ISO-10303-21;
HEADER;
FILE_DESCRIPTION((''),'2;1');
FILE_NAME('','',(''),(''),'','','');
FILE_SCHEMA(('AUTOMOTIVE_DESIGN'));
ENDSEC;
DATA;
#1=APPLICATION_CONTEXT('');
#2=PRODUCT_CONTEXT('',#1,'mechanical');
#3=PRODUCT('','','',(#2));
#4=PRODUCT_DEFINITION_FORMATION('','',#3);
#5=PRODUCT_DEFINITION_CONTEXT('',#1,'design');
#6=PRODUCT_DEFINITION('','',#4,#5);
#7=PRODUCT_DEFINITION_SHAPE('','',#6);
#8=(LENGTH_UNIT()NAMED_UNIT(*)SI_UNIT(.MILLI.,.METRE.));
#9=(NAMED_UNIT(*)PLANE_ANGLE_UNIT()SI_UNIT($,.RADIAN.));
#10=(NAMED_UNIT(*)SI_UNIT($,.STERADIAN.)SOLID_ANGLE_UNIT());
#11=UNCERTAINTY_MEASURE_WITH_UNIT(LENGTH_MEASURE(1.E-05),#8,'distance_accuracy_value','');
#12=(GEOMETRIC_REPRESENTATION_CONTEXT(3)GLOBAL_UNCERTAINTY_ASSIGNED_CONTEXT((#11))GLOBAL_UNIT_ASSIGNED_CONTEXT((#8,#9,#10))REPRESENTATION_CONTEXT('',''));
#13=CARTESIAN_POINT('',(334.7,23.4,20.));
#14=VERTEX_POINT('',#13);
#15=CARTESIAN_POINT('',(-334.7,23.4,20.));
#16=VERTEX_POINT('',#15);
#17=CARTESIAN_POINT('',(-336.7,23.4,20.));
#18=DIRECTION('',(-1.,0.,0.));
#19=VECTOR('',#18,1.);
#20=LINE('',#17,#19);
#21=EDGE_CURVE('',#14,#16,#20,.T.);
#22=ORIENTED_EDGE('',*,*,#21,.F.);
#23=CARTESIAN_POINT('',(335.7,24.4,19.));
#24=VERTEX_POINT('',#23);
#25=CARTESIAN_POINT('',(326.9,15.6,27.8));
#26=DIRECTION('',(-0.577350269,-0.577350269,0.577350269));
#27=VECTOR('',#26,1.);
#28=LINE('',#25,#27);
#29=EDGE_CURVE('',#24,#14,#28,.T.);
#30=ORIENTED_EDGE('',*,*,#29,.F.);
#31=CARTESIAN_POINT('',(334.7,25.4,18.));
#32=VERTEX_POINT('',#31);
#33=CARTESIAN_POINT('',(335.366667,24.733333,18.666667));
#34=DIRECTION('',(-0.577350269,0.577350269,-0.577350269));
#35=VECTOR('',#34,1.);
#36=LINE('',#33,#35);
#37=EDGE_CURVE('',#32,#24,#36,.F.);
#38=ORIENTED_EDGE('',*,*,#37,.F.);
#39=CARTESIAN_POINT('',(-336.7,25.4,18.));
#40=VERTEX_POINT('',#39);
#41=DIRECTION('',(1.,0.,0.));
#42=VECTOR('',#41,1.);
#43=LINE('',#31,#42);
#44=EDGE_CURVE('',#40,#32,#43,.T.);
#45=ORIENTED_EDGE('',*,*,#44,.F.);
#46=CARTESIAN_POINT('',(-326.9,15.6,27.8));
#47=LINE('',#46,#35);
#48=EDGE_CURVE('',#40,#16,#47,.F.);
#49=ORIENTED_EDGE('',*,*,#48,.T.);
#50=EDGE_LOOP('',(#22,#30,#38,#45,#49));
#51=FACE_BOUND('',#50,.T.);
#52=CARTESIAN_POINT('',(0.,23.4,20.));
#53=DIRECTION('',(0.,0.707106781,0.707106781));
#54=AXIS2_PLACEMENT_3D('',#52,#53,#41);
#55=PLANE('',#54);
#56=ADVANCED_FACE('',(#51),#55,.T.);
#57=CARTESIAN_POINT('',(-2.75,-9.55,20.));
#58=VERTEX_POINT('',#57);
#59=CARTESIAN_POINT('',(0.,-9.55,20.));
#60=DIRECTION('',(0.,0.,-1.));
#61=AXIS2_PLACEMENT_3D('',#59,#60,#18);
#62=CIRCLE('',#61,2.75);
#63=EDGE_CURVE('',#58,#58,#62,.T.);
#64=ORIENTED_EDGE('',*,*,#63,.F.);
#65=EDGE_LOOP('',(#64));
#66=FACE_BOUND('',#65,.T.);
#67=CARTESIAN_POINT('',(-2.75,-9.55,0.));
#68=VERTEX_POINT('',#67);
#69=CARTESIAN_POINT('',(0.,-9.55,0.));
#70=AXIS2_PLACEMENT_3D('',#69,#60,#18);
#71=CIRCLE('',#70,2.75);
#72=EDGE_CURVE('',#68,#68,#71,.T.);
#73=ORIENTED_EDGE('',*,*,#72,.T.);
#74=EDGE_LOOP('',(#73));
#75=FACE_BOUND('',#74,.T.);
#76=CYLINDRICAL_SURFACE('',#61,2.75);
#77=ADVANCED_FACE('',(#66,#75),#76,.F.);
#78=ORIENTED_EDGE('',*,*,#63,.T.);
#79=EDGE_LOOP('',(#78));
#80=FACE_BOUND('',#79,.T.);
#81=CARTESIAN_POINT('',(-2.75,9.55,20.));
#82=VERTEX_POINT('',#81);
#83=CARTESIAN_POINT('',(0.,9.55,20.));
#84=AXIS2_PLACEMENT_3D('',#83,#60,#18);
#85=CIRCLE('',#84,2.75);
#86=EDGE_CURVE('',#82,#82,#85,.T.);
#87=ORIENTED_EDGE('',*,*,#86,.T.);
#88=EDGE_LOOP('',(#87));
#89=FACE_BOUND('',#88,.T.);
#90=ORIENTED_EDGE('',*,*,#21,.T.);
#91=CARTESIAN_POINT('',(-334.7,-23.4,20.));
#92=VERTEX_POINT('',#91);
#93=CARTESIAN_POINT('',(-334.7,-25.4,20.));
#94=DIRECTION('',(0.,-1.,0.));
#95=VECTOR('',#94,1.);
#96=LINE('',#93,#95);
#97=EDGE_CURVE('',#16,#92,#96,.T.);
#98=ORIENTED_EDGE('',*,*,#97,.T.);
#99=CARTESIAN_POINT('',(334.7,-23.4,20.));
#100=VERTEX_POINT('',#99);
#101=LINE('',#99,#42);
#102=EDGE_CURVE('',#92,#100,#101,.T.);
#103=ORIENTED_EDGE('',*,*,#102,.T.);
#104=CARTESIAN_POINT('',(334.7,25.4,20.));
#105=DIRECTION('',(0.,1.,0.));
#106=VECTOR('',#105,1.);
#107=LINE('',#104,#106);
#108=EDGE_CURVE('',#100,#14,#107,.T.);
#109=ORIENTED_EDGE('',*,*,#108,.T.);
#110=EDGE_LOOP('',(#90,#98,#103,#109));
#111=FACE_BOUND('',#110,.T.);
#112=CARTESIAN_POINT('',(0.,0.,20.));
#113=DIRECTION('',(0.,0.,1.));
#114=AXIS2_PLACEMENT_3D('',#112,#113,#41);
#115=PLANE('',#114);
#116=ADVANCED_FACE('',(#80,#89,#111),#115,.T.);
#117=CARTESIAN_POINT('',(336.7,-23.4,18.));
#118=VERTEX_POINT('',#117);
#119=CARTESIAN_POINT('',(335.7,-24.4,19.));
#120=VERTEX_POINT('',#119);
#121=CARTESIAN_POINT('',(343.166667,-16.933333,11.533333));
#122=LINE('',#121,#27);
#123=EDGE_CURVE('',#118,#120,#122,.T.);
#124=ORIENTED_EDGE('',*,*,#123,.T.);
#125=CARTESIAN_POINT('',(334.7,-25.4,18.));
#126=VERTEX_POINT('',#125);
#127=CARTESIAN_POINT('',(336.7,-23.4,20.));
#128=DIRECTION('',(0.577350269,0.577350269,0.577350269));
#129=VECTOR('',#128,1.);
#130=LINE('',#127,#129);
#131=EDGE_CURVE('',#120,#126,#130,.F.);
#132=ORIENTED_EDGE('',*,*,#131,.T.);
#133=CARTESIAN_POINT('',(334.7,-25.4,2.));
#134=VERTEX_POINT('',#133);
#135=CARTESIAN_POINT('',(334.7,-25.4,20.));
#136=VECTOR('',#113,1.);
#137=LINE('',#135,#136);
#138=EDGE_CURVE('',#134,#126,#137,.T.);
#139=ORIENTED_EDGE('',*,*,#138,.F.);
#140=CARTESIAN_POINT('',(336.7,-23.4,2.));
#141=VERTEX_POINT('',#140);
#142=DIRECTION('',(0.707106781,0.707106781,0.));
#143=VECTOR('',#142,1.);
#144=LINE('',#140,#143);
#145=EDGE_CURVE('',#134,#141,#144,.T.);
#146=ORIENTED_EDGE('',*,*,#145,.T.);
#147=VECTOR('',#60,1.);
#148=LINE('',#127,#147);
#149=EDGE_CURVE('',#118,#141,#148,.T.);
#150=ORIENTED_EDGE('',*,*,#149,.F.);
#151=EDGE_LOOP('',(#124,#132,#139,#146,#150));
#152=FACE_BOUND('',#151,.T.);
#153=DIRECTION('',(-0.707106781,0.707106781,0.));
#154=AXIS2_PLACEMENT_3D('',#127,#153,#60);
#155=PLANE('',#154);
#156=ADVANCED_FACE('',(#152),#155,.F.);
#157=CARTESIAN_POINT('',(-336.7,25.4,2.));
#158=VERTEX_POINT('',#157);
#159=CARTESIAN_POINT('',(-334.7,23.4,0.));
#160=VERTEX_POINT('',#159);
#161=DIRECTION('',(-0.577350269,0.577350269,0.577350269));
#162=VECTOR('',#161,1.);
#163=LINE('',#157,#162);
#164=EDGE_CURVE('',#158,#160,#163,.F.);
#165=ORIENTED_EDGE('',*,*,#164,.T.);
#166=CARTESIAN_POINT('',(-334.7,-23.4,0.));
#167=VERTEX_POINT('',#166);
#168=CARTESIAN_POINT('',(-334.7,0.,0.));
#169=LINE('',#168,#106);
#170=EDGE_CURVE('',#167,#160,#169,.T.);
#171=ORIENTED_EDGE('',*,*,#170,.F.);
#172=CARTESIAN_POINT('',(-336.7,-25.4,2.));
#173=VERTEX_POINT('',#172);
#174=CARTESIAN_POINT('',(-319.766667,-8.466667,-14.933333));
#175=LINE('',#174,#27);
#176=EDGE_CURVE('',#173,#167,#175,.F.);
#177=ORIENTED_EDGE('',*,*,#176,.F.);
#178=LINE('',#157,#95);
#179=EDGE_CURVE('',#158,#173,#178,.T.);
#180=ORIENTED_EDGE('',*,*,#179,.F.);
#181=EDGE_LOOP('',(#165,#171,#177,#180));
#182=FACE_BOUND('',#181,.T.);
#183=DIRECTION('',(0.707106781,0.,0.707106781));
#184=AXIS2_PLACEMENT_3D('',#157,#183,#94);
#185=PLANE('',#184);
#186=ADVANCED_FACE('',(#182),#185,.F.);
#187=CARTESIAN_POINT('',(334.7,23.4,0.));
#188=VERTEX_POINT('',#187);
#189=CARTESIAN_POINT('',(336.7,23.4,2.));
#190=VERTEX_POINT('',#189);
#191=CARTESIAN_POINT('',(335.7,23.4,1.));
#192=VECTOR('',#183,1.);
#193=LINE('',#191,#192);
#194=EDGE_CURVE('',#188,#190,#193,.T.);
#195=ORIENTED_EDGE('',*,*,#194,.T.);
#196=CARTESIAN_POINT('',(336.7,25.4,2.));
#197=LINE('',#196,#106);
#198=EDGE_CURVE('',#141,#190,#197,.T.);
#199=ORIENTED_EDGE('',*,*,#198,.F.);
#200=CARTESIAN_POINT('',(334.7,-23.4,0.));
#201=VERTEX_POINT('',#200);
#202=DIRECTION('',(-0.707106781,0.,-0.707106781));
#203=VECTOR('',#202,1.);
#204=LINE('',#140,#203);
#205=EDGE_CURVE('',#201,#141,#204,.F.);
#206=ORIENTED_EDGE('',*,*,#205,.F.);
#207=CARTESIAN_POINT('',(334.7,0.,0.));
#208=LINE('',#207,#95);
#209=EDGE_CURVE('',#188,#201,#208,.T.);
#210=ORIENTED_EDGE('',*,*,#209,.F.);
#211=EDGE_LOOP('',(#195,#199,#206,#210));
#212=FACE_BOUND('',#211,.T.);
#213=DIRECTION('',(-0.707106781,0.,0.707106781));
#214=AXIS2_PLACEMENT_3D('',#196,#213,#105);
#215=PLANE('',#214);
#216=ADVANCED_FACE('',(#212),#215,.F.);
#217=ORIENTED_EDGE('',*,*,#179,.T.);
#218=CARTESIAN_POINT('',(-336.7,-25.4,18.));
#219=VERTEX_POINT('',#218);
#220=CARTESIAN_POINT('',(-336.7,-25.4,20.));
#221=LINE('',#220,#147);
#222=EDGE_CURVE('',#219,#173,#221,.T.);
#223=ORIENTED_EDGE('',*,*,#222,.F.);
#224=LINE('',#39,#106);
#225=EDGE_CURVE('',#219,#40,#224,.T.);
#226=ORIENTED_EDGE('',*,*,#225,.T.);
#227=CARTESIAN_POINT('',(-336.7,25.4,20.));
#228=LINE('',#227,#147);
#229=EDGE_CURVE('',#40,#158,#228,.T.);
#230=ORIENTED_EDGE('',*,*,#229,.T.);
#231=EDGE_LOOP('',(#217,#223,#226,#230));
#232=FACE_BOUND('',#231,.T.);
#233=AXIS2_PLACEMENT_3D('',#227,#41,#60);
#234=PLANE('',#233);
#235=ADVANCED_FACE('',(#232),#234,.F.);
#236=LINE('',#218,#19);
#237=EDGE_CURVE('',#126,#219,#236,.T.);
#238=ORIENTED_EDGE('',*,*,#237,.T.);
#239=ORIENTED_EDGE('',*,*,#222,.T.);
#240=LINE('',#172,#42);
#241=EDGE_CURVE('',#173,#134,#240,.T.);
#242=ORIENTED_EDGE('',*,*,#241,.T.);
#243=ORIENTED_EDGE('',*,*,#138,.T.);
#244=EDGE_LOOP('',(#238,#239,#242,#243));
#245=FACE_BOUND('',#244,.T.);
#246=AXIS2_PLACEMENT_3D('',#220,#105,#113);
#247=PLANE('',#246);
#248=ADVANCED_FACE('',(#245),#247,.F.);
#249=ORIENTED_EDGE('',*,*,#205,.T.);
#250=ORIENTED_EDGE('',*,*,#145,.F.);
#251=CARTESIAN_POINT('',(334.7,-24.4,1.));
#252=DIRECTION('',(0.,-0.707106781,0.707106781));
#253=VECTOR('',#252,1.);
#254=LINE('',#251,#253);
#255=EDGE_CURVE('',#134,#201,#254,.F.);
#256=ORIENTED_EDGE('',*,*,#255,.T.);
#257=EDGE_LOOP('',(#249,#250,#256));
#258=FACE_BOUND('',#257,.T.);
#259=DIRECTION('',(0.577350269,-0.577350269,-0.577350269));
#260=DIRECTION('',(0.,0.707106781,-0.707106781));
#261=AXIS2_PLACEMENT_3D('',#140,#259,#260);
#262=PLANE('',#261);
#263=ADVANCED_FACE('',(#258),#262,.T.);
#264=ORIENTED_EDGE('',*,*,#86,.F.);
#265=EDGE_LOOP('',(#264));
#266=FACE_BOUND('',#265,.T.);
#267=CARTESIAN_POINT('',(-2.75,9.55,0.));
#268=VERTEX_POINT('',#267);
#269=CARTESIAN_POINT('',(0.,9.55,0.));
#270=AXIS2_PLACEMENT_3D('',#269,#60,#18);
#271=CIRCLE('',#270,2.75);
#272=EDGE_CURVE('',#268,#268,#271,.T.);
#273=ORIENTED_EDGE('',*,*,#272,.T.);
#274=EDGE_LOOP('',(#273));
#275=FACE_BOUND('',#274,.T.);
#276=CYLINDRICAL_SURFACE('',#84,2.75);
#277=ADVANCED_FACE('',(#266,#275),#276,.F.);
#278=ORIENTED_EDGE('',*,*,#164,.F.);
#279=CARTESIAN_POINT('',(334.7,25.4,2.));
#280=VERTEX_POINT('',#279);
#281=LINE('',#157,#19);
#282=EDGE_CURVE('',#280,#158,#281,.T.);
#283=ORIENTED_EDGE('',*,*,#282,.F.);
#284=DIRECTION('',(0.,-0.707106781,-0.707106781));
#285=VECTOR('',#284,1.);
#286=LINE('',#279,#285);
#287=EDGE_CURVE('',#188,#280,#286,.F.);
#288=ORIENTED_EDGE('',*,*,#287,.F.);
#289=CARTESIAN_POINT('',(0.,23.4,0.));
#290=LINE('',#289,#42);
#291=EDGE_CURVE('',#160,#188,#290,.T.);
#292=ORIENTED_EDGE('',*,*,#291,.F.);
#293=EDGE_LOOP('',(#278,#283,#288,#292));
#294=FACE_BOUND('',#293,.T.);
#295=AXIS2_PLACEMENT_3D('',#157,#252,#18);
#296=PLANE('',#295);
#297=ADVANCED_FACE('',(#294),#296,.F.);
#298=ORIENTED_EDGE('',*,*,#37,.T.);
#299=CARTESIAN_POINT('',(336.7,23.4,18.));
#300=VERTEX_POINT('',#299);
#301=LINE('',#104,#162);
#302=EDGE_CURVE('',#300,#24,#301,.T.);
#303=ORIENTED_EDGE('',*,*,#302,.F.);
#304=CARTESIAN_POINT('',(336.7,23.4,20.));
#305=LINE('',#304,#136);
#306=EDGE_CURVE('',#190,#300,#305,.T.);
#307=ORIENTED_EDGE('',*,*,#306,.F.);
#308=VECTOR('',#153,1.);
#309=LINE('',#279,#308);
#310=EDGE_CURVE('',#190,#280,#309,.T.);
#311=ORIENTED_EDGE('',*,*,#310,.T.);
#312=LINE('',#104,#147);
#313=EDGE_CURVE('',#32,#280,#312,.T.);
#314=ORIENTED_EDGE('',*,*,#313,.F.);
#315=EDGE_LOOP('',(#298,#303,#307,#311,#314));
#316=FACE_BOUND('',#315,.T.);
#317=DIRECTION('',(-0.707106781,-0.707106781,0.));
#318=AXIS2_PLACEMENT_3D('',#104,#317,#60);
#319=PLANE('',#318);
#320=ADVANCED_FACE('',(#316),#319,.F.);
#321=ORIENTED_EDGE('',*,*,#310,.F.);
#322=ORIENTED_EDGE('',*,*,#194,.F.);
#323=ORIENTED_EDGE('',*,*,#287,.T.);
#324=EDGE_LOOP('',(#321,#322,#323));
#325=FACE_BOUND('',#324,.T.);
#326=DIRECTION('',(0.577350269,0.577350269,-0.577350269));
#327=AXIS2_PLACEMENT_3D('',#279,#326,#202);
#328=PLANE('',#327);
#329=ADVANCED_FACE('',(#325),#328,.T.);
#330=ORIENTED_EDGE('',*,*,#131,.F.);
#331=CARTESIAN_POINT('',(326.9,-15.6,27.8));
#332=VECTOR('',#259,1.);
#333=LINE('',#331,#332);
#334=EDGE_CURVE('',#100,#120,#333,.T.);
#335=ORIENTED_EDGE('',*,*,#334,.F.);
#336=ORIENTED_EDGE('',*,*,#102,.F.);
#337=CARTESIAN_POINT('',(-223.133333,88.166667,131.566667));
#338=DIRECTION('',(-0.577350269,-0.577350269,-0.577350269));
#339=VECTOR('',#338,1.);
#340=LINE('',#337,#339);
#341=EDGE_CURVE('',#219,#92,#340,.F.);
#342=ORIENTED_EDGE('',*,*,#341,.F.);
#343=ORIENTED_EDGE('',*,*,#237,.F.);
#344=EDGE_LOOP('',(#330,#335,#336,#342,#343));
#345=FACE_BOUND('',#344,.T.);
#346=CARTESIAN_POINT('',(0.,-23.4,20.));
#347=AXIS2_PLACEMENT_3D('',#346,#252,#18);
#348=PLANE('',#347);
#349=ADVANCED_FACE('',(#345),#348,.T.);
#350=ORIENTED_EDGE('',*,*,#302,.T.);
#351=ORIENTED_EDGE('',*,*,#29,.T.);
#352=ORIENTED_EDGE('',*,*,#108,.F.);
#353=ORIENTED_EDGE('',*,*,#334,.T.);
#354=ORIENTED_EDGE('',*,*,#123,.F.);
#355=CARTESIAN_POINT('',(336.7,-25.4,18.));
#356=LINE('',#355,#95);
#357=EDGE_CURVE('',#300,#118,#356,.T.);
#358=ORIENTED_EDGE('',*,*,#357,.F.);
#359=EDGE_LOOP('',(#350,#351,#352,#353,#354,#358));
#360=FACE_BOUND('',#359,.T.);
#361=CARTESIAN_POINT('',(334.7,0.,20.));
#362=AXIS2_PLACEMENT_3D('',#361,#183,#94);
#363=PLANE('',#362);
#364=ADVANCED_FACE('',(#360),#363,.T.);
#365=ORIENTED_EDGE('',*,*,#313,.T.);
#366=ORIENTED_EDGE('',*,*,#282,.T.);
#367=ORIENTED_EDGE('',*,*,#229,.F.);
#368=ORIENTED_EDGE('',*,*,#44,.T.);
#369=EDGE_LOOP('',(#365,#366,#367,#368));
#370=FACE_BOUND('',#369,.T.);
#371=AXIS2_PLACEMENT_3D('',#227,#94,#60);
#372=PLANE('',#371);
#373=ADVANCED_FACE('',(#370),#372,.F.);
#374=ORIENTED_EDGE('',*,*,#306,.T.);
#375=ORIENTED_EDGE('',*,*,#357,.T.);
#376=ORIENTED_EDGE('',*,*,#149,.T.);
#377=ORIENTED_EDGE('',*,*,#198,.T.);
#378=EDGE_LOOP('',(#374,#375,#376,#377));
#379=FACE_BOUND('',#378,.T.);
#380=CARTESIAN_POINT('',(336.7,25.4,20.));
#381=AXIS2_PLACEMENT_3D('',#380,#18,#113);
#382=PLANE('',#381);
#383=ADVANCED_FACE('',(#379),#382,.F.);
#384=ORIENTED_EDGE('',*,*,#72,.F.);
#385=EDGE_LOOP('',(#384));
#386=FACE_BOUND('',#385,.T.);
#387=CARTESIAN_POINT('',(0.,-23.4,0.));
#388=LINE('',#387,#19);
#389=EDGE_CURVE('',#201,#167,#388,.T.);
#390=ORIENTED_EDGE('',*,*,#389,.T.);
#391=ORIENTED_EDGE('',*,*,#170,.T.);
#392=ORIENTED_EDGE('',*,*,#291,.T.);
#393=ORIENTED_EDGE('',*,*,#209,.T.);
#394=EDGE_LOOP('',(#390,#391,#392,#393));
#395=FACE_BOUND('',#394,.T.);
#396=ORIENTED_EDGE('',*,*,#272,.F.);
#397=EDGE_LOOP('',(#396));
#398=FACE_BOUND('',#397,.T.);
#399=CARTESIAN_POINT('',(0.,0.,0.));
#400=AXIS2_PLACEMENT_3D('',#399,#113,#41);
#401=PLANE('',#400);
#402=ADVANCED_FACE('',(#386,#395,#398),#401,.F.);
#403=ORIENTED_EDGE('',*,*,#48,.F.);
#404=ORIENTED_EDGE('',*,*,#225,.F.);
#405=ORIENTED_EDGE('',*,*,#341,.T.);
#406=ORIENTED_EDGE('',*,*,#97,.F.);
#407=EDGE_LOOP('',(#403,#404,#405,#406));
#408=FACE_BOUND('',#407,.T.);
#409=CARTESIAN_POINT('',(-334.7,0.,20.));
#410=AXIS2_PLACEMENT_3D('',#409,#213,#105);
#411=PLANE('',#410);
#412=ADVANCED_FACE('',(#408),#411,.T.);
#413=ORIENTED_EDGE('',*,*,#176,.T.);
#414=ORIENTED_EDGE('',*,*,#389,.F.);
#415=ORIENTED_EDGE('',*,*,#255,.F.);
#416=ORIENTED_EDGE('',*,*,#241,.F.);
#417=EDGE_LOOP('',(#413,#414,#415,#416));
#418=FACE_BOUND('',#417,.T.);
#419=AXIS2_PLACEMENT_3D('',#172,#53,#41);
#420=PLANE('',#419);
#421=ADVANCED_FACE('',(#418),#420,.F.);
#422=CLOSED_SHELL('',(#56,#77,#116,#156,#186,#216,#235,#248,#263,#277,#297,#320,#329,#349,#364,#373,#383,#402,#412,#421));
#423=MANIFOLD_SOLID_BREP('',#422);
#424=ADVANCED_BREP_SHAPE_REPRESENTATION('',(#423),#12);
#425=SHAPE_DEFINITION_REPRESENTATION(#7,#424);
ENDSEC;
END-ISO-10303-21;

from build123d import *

# Parameters (mm, degrees)
CROQUIS1_W              = 673.4
CROQUIS1_H              = 50.8
SALIENTE_EXTRUIR1_DEPTH = 20
CROQUIS2_R              = 2.75
CORTAR_EXTRUIR1_DEPTH   = 21
CHAFL_N2_SIZE           = 2
CHAFL_N5_SIZE           = 2


with BuildPart() as part:
    # Croquis1 → Saliente-Extruir1 (new body)
    with BuildSketch(Plane.XY):
        Rectangle(CROQUIS1_W, CROQUIS1_H)
    extrude(amount=SALIENTE_EXTRUIR1_DEPTH)

    # Croquis2 → Cortar-Extruir1 (cut, through all)
    with BuildSketch(Plane(origin=(0, 0, 0), x_dir=(-1, 0, 0), z_dir=(0, 0, -1))):
        with Locations((0, 9.55)):
            Circle(CROQUIS2_R)
        with Locations((0, -9.55)):
            Circle(CROQUIS2_R)
    extrude(amount=-CORTAR_EXTRUIR1_DEPTH, mode=Mode.SUBTRACT)

    # Chaflán2
    chafl_n2_edges = [part.edges().sort_by_distance(p)[0] for p in [
        (336.7, 0, 20),
        (0, -25.4, 0),
        (-336.7, 0, 0),
        (0, 25.4, 0),
        (336.7, 0, 0),
        (336.7, -25.4, 10),
        (336.7, 25.4, 10),
    ]]
    chamfer(chafl_n2_edges, length=CHAFL_N2_SIZE)

    # Chaflán5
    chafl_n5_edges = [part.edges().sort_by_distance(p)[0] for p in [
        (-336.7, 0, 20),
        (-1, -25.4, 20),
        (-1, 25.4, 20),
    ]]
    chamfer(chafl_n5_edges, length=CHAFL_N5_SIZE)


solid = part.part
